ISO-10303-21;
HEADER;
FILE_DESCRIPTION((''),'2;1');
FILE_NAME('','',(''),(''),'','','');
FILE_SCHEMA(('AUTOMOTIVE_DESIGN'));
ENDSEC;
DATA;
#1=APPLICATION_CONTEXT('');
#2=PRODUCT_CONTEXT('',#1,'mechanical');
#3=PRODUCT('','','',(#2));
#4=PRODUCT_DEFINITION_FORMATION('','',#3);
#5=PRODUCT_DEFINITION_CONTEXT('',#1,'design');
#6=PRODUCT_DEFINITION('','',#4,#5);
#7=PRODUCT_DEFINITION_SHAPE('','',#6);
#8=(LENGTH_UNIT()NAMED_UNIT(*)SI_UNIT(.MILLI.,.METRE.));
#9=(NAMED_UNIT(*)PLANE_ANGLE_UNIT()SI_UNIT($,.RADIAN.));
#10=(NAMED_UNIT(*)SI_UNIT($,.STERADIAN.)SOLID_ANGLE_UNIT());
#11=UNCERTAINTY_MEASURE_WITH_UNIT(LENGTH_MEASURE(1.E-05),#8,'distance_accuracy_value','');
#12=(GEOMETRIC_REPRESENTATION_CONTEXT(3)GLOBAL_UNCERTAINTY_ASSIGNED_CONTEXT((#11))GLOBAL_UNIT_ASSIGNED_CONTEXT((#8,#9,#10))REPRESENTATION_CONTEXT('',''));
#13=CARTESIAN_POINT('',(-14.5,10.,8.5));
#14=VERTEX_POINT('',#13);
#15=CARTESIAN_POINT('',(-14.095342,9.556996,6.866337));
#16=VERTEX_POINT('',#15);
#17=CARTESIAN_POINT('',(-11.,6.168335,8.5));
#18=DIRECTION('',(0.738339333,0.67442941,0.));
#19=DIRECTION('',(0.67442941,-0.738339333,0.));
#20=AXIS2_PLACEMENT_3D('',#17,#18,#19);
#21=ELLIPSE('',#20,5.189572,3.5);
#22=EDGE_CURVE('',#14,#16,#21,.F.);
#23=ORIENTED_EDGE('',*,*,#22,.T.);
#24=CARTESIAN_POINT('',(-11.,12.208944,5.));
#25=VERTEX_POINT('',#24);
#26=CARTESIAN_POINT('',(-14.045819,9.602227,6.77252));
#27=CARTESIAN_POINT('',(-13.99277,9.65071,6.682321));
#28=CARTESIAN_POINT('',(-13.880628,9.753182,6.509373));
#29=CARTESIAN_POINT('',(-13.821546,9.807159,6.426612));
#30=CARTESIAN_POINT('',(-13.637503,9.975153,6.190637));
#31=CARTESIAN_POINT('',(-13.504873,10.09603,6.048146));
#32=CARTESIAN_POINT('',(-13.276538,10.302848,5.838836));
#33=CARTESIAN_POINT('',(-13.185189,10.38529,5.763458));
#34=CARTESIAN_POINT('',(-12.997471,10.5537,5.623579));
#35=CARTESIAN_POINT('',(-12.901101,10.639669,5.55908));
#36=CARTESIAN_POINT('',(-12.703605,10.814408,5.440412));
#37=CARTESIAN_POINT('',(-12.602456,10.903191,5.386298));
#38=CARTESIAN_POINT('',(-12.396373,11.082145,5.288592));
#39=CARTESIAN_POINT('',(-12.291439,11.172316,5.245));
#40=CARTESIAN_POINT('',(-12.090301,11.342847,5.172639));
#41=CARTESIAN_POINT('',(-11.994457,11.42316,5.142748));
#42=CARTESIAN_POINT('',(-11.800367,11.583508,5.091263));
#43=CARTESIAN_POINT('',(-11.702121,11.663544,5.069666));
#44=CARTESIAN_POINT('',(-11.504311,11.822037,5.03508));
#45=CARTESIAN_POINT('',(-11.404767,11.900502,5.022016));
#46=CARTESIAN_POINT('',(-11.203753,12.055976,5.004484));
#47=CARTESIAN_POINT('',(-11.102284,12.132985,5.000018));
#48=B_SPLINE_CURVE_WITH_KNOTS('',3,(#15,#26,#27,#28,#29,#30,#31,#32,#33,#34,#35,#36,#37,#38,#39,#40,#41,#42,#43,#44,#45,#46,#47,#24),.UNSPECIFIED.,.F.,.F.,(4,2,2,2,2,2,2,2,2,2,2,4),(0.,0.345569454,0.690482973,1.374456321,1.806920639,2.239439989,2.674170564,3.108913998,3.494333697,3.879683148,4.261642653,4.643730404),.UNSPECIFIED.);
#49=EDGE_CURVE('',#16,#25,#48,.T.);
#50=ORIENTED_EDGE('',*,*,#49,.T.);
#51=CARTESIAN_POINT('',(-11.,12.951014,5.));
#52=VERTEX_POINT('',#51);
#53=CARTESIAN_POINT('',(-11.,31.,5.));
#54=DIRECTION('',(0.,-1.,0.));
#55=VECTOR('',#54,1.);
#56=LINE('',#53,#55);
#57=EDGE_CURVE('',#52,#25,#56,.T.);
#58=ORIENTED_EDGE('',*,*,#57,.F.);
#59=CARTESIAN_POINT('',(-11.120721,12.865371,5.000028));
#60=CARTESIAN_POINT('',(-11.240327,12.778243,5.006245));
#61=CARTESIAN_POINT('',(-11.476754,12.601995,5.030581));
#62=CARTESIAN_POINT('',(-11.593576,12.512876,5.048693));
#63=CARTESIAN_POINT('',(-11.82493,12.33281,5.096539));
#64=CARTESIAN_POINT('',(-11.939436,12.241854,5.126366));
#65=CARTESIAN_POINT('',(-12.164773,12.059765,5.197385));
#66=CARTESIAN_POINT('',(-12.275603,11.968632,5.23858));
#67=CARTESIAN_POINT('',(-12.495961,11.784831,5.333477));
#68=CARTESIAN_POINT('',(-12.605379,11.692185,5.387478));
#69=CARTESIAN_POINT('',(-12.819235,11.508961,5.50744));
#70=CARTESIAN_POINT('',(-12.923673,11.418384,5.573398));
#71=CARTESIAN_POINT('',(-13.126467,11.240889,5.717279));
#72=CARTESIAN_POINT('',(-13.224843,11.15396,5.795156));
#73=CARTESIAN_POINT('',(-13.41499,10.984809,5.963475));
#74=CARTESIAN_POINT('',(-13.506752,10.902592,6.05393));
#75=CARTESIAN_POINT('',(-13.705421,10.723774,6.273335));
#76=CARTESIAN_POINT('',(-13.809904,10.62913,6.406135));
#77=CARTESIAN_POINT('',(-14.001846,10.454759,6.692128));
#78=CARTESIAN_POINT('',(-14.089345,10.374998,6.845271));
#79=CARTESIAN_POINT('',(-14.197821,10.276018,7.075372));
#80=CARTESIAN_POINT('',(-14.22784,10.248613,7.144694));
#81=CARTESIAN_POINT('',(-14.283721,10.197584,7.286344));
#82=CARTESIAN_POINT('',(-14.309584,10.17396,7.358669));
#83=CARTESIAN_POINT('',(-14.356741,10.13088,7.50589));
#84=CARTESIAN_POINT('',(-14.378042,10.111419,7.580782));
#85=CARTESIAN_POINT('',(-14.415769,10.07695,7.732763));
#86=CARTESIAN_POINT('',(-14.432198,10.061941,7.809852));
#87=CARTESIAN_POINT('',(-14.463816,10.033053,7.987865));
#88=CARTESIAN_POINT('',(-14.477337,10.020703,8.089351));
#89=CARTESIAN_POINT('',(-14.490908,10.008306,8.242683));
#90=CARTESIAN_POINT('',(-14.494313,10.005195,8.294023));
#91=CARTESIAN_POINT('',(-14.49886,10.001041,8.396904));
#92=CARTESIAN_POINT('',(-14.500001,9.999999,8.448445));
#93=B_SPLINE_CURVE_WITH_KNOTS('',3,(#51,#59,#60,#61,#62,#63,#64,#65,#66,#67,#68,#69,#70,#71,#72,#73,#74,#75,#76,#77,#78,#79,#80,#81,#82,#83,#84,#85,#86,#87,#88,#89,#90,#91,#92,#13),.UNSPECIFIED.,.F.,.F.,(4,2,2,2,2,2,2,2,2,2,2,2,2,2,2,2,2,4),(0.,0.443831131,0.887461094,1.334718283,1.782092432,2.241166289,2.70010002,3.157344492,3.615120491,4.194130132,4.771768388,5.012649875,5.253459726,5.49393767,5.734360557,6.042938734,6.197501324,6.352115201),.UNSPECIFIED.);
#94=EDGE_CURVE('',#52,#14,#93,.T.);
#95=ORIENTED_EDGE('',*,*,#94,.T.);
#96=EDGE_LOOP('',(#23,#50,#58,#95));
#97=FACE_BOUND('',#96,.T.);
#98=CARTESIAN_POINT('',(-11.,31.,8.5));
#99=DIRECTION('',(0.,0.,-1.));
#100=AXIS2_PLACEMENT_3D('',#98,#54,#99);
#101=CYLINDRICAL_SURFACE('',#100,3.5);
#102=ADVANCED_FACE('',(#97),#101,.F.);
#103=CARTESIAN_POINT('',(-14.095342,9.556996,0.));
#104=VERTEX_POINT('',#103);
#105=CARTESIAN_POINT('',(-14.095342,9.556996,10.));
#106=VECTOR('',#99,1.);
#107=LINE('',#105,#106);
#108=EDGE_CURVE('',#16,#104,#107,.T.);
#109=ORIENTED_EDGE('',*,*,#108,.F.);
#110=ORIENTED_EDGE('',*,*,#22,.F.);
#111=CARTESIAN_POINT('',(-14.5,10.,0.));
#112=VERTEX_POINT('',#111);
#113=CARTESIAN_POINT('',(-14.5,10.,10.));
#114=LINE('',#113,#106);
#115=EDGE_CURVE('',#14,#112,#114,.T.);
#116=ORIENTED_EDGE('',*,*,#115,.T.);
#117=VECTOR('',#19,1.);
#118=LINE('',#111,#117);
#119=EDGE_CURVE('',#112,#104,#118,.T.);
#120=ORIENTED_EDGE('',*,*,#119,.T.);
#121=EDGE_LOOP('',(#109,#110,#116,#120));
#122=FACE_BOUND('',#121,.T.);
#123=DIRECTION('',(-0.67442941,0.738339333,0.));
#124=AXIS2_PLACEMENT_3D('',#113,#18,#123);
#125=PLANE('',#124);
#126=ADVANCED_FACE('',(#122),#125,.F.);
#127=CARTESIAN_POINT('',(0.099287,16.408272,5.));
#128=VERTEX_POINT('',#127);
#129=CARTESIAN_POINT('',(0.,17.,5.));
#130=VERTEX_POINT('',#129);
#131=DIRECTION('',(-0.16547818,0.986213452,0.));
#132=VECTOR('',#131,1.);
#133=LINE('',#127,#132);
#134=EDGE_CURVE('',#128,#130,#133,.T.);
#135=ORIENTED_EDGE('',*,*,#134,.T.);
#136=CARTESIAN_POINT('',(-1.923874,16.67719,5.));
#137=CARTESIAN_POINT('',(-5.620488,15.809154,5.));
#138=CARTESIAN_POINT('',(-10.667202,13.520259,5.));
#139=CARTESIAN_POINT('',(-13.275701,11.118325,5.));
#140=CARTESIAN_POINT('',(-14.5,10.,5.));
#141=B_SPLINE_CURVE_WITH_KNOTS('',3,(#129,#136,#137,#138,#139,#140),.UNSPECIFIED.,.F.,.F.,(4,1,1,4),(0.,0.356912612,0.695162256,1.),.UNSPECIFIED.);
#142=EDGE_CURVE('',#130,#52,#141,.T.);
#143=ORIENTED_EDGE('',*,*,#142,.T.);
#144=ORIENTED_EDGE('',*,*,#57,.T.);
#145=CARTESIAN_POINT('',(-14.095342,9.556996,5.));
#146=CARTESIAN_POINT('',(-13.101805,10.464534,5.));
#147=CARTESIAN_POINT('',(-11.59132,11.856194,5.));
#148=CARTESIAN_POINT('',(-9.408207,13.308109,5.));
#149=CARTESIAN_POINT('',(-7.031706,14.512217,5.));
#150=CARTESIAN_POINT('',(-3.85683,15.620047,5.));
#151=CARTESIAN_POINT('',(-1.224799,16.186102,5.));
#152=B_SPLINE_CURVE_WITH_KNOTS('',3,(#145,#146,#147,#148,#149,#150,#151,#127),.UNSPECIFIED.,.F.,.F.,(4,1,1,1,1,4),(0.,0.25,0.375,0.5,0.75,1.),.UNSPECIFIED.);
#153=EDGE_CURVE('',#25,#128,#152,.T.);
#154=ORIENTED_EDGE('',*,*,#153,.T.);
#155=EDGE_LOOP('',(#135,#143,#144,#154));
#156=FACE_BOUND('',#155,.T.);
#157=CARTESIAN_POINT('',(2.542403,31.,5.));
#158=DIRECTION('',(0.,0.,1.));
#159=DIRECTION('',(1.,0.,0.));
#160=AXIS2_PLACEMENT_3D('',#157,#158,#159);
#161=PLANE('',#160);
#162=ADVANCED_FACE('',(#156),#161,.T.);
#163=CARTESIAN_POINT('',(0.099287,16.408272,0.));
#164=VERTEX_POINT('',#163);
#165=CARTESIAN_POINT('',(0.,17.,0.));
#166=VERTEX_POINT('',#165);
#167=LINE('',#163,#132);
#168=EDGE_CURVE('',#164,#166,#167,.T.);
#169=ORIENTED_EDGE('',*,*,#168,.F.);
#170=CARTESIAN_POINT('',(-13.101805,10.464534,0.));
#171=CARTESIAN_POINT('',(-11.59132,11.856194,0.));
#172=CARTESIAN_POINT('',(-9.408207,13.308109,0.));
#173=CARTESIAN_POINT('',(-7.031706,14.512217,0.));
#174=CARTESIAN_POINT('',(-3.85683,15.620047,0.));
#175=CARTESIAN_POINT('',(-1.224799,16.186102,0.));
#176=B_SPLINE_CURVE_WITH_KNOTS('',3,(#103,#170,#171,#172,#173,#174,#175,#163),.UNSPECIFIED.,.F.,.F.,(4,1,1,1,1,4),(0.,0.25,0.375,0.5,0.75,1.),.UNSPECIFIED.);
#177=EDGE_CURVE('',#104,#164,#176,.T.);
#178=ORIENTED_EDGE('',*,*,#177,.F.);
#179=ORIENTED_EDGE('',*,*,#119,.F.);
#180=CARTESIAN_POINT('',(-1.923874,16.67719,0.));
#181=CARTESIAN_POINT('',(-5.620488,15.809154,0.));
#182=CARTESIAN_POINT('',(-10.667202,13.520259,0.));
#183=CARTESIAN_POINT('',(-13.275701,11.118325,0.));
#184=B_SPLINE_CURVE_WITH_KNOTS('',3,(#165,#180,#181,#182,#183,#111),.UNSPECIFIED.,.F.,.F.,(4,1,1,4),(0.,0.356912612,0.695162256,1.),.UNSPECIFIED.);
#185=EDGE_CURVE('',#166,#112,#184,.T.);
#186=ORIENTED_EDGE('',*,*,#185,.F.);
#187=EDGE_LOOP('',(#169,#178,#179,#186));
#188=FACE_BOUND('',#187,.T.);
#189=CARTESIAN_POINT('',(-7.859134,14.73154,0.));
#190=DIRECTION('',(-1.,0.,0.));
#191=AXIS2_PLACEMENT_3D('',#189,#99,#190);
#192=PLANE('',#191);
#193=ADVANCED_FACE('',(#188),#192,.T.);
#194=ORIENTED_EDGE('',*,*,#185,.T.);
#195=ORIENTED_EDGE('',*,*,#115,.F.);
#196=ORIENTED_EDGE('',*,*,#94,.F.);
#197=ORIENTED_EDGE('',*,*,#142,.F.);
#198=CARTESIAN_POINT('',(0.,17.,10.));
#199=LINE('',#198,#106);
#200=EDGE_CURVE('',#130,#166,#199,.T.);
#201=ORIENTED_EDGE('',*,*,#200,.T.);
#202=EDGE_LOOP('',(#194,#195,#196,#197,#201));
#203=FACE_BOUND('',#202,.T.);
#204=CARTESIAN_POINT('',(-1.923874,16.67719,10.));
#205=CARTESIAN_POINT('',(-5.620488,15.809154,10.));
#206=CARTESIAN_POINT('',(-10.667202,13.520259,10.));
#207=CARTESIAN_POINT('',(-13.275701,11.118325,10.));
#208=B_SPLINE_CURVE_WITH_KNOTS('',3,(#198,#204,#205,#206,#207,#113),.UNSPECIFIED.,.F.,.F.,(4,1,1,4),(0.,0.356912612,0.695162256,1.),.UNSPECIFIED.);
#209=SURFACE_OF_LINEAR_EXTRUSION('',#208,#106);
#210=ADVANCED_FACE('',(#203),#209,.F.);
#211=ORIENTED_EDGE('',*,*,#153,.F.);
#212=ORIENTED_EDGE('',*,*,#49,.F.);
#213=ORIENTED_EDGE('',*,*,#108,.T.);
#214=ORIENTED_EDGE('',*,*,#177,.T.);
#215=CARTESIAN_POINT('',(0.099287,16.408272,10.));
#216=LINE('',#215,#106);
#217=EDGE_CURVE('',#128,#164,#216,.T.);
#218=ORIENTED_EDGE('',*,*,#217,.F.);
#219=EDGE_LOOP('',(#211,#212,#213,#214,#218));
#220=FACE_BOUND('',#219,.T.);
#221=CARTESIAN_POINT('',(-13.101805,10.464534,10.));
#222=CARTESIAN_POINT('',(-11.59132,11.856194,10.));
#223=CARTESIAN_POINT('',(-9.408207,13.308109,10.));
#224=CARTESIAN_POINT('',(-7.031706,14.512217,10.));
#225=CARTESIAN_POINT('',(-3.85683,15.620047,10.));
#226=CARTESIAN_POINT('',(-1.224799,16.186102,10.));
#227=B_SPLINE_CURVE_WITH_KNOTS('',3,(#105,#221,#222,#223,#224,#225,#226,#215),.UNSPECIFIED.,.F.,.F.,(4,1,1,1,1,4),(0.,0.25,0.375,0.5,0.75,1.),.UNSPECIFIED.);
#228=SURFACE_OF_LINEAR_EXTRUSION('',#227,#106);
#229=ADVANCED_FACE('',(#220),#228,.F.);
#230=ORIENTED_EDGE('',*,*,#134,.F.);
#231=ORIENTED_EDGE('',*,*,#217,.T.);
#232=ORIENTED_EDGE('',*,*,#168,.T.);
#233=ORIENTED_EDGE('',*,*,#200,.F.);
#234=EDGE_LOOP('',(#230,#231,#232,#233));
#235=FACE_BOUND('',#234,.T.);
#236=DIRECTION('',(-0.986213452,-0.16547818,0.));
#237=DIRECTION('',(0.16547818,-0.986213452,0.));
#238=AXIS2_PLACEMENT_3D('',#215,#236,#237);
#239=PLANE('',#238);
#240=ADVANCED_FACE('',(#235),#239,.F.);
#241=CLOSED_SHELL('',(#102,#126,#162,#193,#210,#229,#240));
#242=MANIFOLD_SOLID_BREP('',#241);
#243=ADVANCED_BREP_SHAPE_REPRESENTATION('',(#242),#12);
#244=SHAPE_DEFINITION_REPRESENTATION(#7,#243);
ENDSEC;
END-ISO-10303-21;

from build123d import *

# Parameters (mm, degrees)
EXTRUDE_1_DEPTH     = 10
CUT_EXTRUDE_1_DEPTH = 31


with BuildPart() as part:
    # 草图1 → 凸台-拉伸1 (new body)
    with BuildSketch(Plane.XY):
        with BuildLine():
            Line((0.099286908, 16.408271929), (0, 17))
            add(Edge.make_bspline(
                [(-14.5, 10), (-13.275700684, 11.118325177), (-10.667201811, 13.52025873), (-5.620487725, 15.809154008), (-1.923873666, 16.677190458), (0, 17)],
                knots=[0, 0, 0, 0, 0.304837744, 0.643087388, 1, 1, 1, 1], degree=3))
            Line((-14.5, 10), (-14.095342354, 9.5569964))
            add(Edge.make_bspline(
                [(-14.095342354, 9.5569964), (-13.101804871, 10.464534261), (-11.5913204, 11.856193918), (-9.408207232, 13.308108948), (-7.031706102, 14.512216909), (-3.856829789, 15.620046614), (-1.224798532, 16.18610172), (0.099286908, 16.408271929)],
                knots=[0, 0, 0, 0, 0.25, 0.375, 0.5, 0.75, 1, 1, 1, 1], degree=3))
        make_face()
    extrude(amount=EXTRUDE_1_DEPTH)

    # 草图2 → 切除-拉伸1 (cut)
    with BuildSketch(Plane(origin=(0, 0, 0), x_dir=(1, 0, 0), z_dir=(0, 1, 0))):
        with BuildLine():
            Line((2.542403036, -5), (-11, -5))
            ThreePointArc((-11, -5), (-13.474873734, -6.025126266), (-14.5, -8.5))
            Line((-14.5, -8.5), (-14.5, -10))
            Line((-14.5, -10), (-14.5, -12.270940409))
            Line((-14.5, -12.270940409), (2.542403036, -12.270940409))
            Line((2.542403036, -12.270940409), (2.542403036, -5))
        make_face()
    extrude(amount=CUT_EXTRUDE_1_DEPTH, mode=Mode.SUBTRACT)


solid = part.part
